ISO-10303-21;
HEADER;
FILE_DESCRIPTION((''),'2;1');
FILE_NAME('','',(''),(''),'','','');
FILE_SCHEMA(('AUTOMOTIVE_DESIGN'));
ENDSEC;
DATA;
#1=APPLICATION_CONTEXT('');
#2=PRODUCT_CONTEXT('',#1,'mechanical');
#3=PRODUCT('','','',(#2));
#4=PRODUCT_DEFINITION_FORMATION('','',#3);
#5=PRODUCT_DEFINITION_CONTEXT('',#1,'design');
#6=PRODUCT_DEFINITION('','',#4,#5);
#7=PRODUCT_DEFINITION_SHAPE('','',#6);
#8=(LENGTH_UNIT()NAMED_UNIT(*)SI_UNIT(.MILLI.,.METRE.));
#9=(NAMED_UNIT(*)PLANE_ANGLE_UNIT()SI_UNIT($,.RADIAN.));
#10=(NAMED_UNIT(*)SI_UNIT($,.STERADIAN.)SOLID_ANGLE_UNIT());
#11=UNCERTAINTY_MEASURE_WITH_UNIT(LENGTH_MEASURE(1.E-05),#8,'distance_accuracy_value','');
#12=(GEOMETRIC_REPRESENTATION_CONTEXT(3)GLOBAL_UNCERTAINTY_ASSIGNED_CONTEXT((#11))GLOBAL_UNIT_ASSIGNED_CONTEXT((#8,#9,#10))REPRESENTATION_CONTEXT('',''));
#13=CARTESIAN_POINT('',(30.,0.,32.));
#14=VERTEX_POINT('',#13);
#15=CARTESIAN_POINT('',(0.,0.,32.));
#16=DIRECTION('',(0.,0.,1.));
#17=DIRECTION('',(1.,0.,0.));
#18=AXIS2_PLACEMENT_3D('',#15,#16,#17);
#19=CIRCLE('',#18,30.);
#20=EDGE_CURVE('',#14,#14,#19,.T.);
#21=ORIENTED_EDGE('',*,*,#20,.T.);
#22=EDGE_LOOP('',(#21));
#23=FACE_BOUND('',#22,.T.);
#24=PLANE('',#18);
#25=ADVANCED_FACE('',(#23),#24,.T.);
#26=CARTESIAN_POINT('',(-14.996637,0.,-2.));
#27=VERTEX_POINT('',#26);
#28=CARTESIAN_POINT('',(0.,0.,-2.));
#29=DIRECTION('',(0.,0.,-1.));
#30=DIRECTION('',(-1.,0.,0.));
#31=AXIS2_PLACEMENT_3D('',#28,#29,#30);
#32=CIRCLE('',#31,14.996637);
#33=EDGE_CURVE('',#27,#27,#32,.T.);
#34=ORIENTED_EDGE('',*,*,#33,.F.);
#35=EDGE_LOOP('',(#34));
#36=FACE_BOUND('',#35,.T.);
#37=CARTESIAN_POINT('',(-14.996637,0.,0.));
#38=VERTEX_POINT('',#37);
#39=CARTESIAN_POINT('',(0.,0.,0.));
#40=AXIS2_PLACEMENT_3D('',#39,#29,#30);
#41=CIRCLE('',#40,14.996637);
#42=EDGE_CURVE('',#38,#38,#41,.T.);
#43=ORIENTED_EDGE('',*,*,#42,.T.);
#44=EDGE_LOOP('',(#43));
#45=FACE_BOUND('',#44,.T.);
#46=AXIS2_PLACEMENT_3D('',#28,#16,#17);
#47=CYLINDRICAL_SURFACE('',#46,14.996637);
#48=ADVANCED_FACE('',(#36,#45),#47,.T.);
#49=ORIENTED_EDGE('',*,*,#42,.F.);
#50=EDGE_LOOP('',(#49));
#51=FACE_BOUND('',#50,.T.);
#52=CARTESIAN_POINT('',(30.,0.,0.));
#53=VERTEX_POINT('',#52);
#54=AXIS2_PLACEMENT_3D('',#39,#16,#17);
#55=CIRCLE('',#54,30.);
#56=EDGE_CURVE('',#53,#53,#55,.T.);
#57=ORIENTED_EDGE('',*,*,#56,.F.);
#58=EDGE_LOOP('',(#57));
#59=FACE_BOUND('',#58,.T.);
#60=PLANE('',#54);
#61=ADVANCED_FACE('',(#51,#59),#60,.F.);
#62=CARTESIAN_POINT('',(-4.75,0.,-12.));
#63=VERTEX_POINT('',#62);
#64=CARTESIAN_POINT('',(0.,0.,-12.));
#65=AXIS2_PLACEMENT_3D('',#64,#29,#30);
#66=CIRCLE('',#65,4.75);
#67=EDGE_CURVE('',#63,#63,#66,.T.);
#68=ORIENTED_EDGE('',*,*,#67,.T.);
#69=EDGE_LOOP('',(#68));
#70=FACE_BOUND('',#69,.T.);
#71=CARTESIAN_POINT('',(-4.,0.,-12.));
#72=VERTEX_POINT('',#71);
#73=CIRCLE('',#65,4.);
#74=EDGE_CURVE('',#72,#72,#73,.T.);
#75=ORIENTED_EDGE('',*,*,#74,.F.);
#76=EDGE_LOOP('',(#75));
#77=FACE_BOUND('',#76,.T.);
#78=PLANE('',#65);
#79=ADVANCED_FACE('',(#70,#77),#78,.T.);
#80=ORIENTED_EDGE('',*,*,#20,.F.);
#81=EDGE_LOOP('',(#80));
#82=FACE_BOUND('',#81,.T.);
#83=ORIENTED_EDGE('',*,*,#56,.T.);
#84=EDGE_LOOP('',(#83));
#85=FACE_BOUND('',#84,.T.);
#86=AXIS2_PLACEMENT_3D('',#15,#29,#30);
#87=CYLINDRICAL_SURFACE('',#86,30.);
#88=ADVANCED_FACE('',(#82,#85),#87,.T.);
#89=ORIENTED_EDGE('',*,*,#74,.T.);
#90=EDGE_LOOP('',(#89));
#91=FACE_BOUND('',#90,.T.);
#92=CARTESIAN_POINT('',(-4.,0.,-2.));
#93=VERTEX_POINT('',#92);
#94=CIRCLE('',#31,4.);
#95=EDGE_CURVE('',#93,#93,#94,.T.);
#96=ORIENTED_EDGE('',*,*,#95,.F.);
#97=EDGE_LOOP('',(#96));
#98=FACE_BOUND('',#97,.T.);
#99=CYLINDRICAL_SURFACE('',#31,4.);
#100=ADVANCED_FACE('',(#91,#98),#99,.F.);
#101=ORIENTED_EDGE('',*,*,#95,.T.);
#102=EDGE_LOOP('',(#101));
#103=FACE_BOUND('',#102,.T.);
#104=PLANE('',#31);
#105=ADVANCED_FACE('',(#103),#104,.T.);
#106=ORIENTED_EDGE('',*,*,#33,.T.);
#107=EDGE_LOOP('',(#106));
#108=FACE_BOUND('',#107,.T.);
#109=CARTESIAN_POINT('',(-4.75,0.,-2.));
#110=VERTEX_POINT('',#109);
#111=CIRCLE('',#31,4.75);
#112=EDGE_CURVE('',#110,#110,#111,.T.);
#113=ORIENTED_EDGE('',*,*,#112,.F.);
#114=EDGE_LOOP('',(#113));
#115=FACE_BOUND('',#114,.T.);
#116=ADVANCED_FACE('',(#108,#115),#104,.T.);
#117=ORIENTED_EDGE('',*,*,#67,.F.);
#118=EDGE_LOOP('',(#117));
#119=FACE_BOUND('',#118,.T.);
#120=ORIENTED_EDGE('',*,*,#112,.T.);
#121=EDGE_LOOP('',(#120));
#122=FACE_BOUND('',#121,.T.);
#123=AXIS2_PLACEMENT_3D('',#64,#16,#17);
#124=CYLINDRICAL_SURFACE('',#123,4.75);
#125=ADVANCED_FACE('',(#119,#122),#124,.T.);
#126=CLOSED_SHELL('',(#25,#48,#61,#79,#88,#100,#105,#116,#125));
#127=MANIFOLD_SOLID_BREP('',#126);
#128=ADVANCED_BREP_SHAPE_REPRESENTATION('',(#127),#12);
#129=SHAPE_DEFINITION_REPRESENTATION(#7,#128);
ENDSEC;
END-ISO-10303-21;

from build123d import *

# Parameters (mm, degrees)
SKIZZE1_R                       = 30
AUFSATZ_LINEAR_AUSTRAGEN1_DEPTH = 32
SKIZZE2_R                       = 14.996636578
AUFSATZ_LINEAR_AUSTRAGEN2_DEPTH = 2
SKIZZE3_R                       = 4.75
AUFSATZ_LINEAR_AUSTRAGEN3_DEPTH = 10
SKIZZE4_R                       = 4
SCHNITT_LINEAR_AUSTRAGEN1_DEPTH = 10


with BuildPart() as part:
    # Skizze1 → Aufsatz-Linear austragen1 (new body)
    with BuildSketch(Plane.XY):
        Circle(SKIZZE1_R)
    extrude(amount=AUFSATZ_LINEAR_AUSTRAGEN1_DEPTH)

    # Skizze2 → Aufsatz-Linear austragen2 (add)
    with BuildSketch(Plane(origin=(0, 0, 0), x_dir=(-1, 0, 0), z_dir=(0, 0, -1))):
        Circle(SKIZZE2_R)
    extrude(amount=AUFSATZ_LINEAR_AUSTRAGEN2_DEPTH)

    # Skizze3 → Aufsatz-Linear austragen3 (add)
    with BuildSketch(Plane(origin=(0, 0, -2), x_dir=(-1, 0, 0), z_dir=(0, 0, -1))):
        Circle(SKIZZE3_R)
    extrude(amount=AUFSATZ_LINEAR_AUSTRAGEN3_DEPTH)

    # Skizze4 → Schnitt-Linear austragen1 (cut)
    with BuildSketch(Plane(origin=(0, 0, -12), x_dir=(-1, 0, 0), z_dir=(0, 0, -1))):
        Circle(SKIZZE4_R)
    extrude(amount=-SCHNITT_LINEAR_AUSTRAGEN1_DEPTH, mode=Mode.SUBTRACT)


solid = part.part
